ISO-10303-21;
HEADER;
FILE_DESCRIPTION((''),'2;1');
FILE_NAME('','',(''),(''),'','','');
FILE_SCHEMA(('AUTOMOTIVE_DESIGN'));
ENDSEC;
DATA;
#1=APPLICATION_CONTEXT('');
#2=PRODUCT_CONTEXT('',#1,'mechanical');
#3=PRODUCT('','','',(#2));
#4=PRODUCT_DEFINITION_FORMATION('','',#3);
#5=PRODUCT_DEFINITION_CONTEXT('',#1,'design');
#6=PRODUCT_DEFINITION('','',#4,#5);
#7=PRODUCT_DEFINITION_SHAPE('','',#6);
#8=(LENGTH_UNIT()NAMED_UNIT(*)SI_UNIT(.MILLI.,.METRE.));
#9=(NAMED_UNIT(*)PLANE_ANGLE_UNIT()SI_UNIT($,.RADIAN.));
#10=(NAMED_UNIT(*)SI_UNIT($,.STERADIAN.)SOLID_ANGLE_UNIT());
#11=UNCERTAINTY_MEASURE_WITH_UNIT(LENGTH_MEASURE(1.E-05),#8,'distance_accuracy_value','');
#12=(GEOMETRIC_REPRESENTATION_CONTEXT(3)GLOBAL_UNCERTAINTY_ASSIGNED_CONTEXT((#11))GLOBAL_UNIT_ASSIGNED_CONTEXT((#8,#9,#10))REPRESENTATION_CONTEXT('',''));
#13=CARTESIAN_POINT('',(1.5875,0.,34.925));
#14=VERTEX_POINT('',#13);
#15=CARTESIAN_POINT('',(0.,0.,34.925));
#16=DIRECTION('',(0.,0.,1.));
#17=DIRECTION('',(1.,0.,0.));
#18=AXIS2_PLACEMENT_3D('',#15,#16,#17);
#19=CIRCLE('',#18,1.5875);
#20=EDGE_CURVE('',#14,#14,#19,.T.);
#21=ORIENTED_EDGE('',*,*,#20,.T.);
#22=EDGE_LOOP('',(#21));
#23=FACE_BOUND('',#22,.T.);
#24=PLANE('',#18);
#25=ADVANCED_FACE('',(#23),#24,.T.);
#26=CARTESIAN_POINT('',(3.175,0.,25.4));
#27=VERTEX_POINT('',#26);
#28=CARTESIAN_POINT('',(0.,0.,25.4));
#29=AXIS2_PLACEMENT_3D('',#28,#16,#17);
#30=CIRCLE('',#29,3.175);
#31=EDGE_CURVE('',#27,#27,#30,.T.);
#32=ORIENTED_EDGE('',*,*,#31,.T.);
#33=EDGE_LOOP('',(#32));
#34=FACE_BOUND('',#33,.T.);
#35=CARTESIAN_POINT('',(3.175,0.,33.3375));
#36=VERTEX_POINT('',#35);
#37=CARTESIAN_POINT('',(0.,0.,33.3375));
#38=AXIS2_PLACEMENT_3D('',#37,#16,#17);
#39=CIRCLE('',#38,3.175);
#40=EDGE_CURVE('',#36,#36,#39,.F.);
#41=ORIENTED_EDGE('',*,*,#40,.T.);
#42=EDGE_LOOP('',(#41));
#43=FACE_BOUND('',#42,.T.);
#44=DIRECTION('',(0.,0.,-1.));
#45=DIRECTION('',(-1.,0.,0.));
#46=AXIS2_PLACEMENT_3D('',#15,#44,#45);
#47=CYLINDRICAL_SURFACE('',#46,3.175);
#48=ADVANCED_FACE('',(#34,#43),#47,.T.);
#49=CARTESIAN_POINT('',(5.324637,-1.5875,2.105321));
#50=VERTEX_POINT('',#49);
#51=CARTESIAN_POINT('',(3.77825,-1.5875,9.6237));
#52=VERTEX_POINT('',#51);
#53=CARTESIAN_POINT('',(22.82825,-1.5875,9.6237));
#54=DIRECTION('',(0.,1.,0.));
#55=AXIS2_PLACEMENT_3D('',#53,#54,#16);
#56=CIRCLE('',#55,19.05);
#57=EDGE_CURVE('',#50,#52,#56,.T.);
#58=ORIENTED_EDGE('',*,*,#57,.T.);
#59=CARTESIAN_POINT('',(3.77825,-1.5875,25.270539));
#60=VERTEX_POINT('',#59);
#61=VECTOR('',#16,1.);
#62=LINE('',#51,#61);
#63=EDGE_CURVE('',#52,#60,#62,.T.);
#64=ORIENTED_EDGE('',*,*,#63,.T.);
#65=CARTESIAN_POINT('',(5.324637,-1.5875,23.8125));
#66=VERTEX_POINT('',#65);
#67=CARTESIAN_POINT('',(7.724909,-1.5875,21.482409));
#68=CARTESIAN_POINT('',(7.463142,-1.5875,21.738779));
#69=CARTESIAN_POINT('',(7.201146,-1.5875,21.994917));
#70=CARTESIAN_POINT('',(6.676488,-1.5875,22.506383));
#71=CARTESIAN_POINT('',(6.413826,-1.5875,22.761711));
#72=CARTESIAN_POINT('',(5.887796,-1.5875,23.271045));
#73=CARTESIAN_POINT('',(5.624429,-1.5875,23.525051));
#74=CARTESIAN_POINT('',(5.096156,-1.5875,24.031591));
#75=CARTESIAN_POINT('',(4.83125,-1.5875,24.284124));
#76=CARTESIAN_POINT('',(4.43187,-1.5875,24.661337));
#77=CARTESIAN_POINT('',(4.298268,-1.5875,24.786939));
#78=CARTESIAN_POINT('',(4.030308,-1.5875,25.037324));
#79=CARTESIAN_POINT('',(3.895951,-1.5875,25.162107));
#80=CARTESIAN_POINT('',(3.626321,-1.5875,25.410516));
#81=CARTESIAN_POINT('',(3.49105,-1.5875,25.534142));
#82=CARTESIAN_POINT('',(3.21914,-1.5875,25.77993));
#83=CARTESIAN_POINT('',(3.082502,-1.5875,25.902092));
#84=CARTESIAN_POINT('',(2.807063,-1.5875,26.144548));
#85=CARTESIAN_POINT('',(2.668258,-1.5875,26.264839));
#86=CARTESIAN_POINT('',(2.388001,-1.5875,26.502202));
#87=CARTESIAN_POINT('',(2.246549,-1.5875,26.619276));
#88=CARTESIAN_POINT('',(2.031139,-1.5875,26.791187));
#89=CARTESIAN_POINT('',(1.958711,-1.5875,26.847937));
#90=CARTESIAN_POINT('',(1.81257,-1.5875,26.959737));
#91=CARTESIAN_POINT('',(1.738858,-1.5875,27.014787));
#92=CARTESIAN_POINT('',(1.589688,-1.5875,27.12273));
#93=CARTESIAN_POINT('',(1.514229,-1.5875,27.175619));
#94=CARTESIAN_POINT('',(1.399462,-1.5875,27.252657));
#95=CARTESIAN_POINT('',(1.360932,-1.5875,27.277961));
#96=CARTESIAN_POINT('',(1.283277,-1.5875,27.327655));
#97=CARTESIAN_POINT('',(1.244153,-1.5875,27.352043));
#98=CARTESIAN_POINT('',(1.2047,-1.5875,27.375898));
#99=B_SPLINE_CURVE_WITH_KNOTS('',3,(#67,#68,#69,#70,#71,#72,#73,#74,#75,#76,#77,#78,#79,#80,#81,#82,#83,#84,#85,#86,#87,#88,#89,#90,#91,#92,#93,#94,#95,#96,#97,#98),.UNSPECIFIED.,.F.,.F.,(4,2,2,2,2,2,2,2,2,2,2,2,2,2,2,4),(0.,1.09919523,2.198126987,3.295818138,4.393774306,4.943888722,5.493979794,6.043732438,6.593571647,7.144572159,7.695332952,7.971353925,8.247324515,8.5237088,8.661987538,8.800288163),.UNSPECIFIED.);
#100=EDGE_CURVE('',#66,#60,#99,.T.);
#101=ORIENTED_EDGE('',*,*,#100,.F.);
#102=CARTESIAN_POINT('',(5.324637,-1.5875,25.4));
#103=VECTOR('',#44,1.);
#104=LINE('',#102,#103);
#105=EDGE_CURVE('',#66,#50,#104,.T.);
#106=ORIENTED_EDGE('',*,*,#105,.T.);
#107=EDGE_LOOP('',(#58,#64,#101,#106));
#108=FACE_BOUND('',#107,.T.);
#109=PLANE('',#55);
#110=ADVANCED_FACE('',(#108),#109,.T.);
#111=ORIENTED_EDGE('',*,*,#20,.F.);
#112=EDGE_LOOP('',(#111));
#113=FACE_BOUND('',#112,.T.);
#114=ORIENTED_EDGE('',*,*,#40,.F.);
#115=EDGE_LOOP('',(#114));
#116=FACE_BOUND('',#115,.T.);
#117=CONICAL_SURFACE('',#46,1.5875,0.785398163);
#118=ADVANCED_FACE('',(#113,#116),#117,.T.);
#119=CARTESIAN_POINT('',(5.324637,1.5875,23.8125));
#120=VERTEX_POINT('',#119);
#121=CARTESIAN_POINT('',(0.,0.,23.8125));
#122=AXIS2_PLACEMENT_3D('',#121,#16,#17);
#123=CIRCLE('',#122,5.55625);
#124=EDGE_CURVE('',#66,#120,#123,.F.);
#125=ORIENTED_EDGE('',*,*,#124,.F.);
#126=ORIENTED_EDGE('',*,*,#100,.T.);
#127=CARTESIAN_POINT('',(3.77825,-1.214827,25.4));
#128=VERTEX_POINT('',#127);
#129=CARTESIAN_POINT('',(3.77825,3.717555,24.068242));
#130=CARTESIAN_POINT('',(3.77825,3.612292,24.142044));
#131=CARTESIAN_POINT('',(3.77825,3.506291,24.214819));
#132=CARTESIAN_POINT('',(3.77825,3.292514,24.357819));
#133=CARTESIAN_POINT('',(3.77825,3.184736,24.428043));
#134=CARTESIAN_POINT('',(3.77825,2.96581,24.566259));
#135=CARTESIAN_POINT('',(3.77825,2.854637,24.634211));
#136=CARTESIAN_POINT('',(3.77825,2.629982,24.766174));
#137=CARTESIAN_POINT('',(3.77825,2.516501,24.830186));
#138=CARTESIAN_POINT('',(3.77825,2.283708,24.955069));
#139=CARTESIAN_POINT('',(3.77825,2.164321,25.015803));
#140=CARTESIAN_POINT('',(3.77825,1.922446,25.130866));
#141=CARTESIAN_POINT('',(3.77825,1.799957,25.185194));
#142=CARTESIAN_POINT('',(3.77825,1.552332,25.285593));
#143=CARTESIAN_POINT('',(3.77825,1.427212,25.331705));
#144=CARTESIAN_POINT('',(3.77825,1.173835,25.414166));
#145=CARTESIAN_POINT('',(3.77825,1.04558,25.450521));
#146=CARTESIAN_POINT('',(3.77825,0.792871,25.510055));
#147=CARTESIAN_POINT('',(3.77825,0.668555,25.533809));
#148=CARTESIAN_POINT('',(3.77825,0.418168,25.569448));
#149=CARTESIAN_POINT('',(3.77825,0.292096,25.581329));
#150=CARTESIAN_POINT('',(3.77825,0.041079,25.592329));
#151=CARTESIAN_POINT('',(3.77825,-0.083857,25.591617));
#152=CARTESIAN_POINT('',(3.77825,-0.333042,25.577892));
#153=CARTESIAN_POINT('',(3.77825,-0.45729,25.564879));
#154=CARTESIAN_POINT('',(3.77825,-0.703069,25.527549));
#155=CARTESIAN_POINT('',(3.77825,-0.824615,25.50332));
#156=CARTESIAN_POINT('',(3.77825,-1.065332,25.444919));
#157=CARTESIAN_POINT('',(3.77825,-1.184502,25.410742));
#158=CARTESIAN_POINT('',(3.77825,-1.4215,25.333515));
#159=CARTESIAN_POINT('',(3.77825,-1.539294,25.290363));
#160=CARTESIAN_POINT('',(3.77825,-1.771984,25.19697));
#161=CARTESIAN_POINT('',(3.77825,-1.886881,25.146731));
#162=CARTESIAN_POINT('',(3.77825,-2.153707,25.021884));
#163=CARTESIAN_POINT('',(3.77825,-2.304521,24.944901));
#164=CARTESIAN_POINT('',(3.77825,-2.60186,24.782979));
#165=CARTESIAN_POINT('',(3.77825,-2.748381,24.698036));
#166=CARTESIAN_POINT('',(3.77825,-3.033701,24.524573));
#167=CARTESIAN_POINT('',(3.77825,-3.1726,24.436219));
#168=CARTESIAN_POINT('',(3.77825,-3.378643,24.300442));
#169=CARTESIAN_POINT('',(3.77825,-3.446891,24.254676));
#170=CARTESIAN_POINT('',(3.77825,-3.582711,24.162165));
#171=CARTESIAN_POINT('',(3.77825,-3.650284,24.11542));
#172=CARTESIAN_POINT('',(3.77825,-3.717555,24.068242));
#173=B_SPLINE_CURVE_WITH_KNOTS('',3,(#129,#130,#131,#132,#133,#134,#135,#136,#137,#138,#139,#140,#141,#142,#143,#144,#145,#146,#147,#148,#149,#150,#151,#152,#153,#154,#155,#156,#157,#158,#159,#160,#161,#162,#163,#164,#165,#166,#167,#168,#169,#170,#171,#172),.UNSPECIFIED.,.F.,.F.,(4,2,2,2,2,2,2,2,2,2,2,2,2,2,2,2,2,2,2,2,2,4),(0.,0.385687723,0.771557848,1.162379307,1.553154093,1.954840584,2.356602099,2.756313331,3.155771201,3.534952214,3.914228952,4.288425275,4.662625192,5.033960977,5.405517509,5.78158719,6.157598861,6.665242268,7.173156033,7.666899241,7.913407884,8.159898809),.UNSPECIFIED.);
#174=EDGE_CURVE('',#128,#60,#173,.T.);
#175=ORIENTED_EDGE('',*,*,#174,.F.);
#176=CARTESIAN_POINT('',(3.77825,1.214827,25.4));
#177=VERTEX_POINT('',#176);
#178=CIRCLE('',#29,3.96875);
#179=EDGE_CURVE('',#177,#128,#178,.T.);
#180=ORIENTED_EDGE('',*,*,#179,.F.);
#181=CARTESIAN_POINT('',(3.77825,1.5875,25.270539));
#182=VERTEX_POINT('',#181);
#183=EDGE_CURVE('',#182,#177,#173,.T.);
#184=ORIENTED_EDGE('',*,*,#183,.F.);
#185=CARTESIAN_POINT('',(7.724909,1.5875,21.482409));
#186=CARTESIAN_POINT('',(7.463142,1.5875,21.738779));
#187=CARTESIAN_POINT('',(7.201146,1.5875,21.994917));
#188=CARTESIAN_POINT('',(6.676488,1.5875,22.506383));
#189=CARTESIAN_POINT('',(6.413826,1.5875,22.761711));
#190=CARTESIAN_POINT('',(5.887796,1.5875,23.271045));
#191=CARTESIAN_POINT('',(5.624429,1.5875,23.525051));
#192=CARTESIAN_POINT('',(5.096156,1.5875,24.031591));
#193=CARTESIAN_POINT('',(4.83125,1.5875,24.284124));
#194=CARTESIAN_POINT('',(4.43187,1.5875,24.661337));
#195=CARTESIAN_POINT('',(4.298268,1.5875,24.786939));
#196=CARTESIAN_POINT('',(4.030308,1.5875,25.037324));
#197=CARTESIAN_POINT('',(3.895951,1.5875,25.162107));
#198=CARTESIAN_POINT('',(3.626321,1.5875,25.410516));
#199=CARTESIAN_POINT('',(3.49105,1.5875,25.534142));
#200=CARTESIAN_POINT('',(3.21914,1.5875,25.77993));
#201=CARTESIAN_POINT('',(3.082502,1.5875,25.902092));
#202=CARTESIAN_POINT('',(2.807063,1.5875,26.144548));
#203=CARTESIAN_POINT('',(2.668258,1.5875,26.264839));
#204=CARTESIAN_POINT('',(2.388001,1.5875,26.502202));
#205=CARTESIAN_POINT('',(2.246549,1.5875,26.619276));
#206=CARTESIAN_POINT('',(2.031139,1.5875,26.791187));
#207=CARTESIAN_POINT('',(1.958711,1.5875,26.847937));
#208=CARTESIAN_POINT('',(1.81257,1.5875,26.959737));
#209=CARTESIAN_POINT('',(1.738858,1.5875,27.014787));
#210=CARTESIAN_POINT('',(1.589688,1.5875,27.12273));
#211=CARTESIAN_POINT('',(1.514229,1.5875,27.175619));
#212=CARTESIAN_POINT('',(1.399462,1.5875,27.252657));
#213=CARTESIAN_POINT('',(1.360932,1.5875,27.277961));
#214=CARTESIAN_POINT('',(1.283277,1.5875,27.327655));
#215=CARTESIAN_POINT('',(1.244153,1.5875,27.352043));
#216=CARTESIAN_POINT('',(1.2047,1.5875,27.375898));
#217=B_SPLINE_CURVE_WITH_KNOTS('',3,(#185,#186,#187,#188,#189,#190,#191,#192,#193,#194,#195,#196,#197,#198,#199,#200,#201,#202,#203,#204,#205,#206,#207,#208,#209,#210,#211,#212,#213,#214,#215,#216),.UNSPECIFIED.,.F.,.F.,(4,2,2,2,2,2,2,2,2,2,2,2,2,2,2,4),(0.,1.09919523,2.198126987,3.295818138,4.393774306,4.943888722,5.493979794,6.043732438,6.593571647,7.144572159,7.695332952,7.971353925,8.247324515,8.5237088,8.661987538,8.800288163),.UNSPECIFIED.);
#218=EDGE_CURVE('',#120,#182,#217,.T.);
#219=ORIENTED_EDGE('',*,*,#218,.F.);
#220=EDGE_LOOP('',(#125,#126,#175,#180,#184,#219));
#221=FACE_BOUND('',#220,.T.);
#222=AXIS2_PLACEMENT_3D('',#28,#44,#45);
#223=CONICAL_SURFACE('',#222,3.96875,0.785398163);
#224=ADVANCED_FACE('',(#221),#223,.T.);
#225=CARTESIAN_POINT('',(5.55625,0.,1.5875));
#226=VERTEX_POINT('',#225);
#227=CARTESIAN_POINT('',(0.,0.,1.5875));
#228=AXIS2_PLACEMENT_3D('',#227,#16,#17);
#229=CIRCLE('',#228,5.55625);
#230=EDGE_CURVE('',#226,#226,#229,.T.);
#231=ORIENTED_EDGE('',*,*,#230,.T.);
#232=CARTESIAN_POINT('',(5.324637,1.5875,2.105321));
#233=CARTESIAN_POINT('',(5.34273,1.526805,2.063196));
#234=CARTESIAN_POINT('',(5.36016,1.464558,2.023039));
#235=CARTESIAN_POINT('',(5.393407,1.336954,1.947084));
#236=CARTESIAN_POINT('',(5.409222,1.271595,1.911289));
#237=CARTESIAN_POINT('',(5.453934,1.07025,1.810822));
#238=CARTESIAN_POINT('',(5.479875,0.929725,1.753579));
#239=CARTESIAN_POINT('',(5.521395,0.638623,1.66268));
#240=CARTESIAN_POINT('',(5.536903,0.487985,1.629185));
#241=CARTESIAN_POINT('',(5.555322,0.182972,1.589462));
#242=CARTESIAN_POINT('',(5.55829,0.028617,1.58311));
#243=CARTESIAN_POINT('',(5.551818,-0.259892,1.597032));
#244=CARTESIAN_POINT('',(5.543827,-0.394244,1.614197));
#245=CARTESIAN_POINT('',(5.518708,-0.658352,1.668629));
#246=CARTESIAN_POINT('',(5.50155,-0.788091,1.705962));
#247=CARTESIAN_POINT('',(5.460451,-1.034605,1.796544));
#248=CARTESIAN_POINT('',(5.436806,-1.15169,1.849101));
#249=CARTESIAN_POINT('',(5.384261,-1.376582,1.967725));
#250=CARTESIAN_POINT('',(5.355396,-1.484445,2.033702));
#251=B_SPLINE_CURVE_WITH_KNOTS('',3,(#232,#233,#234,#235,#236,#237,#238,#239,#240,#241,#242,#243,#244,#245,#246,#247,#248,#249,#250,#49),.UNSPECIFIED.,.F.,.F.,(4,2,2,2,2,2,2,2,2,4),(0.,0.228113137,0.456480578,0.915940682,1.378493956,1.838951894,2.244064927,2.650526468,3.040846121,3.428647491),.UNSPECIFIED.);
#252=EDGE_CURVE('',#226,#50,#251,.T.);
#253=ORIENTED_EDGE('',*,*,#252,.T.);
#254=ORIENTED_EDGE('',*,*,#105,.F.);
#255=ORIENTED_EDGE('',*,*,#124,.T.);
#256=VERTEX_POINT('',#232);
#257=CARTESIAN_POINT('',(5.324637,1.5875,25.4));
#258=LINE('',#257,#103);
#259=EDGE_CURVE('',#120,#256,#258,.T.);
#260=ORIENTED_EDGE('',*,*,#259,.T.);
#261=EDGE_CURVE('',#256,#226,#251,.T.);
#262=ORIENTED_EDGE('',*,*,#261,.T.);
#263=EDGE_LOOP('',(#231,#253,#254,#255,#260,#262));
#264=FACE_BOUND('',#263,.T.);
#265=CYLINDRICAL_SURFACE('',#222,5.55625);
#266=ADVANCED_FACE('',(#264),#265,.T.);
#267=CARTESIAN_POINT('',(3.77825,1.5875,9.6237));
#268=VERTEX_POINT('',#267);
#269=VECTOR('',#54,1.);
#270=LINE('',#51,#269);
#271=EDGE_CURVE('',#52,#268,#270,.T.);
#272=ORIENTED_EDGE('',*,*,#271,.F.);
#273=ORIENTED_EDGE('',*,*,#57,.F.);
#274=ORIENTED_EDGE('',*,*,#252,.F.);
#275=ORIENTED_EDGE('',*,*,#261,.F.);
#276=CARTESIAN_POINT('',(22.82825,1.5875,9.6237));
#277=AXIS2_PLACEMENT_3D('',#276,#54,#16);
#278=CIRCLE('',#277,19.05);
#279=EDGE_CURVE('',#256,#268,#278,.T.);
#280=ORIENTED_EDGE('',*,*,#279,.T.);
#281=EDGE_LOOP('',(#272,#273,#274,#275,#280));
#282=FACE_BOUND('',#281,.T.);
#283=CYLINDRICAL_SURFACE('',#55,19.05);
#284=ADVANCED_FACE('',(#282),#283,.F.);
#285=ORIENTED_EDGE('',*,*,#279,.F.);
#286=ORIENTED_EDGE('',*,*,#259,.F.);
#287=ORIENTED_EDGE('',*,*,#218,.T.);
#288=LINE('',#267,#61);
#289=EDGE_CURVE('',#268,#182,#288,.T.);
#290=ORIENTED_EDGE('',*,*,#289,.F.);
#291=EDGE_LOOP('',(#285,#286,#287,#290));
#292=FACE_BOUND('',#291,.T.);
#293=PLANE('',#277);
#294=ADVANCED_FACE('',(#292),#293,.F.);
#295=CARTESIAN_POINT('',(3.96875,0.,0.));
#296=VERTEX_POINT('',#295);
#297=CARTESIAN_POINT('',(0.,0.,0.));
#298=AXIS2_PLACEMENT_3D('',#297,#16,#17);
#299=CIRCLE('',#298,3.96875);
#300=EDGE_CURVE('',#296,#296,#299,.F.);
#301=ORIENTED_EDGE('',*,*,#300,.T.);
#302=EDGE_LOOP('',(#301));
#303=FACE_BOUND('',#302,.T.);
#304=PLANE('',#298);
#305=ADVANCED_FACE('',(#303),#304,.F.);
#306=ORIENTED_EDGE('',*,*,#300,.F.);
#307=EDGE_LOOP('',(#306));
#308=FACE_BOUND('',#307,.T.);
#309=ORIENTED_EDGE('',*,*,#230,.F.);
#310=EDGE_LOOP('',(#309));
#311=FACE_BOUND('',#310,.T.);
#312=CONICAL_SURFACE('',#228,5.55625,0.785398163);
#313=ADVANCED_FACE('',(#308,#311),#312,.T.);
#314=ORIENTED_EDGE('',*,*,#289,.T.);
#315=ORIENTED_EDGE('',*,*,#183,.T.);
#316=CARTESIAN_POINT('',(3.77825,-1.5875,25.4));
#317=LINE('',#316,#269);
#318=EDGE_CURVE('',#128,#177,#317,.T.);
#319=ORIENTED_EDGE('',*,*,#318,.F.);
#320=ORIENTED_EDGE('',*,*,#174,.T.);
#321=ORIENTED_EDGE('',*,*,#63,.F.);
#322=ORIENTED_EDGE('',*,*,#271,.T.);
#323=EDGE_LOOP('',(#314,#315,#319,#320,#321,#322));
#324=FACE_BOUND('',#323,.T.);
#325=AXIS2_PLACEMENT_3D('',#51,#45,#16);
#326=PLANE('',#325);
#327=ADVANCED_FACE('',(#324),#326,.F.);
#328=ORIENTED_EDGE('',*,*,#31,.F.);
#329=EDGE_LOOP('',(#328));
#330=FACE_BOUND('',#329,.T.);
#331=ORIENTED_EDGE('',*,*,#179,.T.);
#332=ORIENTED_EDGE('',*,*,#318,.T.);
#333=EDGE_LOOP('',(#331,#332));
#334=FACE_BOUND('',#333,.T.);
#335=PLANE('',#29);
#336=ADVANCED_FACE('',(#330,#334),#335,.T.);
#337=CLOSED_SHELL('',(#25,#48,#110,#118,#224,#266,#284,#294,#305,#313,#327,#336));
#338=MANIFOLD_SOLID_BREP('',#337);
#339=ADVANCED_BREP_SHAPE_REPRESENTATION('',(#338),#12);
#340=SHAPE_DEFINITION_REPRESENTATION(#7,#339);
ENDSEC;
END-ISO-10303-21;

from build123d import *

# Parameters (mm, degrees)
SKETCH1_R          = 5.55625
EXTRUDE1_DEPTH     = 25.4
SKETCH2_R          = 3.175
EXTRUDE2_DEPTH     = 9.525
CHAMFER1_SIZE      = 1.5875
CUT_EXTRUDE1_DEPTH = 1.5875


with BuildPart() as part:
    # Sketch1 → Extrude1 (new body)
    with BuildSketch(Plane.XY):
        Circle(SKETCH1_R)
    extrude(amount=EXTRUDE1_DEPTH)

    # Sketch2 → Extrude2 (add)
    with BuildSketch(Plane.XY.offset(25.4)):
        Circle(SKETCH2_R)
    extrude(amount=EXTRUDE2_DEPTH)

    # Chamfer1
    chamfer1_edges = [part.edges().sort_by_distance(p)[0] for p in [
        (-5.55625, 0, 0),
        (-5.55625, 0, 25.4),
        (-3.175, 0, 34.925),
    ]]
    chamfer(chamfer1_edges, length=CHAMFER1_SIZE)

    # Sketch3 → Cut-Extrude1 (cut, symmetric)
    with BuildSketch(Plane(origin=(0, 0, 0), x_dir=(1, 0, 0), z_dir=(0, 1, 0))):
        with BuildLine():
            Line((3.77825, -9.623700346), (3.77825, -25.4))
            Line((3.77825, -25.4), (5.55625, -25.4))
            Line((5.55625, -25.4), (5.55625, -1.5875))
            ThreePointArc((5.55625, -1.5875), (4.228060485, -5.508430002), (3.77825, -9.623700346))
        make_face()
    extrude(amount=CUT_EXTRUDE1_DEPTH, both=True, mode=Mode.SUBTRACT)


solid = part.part
